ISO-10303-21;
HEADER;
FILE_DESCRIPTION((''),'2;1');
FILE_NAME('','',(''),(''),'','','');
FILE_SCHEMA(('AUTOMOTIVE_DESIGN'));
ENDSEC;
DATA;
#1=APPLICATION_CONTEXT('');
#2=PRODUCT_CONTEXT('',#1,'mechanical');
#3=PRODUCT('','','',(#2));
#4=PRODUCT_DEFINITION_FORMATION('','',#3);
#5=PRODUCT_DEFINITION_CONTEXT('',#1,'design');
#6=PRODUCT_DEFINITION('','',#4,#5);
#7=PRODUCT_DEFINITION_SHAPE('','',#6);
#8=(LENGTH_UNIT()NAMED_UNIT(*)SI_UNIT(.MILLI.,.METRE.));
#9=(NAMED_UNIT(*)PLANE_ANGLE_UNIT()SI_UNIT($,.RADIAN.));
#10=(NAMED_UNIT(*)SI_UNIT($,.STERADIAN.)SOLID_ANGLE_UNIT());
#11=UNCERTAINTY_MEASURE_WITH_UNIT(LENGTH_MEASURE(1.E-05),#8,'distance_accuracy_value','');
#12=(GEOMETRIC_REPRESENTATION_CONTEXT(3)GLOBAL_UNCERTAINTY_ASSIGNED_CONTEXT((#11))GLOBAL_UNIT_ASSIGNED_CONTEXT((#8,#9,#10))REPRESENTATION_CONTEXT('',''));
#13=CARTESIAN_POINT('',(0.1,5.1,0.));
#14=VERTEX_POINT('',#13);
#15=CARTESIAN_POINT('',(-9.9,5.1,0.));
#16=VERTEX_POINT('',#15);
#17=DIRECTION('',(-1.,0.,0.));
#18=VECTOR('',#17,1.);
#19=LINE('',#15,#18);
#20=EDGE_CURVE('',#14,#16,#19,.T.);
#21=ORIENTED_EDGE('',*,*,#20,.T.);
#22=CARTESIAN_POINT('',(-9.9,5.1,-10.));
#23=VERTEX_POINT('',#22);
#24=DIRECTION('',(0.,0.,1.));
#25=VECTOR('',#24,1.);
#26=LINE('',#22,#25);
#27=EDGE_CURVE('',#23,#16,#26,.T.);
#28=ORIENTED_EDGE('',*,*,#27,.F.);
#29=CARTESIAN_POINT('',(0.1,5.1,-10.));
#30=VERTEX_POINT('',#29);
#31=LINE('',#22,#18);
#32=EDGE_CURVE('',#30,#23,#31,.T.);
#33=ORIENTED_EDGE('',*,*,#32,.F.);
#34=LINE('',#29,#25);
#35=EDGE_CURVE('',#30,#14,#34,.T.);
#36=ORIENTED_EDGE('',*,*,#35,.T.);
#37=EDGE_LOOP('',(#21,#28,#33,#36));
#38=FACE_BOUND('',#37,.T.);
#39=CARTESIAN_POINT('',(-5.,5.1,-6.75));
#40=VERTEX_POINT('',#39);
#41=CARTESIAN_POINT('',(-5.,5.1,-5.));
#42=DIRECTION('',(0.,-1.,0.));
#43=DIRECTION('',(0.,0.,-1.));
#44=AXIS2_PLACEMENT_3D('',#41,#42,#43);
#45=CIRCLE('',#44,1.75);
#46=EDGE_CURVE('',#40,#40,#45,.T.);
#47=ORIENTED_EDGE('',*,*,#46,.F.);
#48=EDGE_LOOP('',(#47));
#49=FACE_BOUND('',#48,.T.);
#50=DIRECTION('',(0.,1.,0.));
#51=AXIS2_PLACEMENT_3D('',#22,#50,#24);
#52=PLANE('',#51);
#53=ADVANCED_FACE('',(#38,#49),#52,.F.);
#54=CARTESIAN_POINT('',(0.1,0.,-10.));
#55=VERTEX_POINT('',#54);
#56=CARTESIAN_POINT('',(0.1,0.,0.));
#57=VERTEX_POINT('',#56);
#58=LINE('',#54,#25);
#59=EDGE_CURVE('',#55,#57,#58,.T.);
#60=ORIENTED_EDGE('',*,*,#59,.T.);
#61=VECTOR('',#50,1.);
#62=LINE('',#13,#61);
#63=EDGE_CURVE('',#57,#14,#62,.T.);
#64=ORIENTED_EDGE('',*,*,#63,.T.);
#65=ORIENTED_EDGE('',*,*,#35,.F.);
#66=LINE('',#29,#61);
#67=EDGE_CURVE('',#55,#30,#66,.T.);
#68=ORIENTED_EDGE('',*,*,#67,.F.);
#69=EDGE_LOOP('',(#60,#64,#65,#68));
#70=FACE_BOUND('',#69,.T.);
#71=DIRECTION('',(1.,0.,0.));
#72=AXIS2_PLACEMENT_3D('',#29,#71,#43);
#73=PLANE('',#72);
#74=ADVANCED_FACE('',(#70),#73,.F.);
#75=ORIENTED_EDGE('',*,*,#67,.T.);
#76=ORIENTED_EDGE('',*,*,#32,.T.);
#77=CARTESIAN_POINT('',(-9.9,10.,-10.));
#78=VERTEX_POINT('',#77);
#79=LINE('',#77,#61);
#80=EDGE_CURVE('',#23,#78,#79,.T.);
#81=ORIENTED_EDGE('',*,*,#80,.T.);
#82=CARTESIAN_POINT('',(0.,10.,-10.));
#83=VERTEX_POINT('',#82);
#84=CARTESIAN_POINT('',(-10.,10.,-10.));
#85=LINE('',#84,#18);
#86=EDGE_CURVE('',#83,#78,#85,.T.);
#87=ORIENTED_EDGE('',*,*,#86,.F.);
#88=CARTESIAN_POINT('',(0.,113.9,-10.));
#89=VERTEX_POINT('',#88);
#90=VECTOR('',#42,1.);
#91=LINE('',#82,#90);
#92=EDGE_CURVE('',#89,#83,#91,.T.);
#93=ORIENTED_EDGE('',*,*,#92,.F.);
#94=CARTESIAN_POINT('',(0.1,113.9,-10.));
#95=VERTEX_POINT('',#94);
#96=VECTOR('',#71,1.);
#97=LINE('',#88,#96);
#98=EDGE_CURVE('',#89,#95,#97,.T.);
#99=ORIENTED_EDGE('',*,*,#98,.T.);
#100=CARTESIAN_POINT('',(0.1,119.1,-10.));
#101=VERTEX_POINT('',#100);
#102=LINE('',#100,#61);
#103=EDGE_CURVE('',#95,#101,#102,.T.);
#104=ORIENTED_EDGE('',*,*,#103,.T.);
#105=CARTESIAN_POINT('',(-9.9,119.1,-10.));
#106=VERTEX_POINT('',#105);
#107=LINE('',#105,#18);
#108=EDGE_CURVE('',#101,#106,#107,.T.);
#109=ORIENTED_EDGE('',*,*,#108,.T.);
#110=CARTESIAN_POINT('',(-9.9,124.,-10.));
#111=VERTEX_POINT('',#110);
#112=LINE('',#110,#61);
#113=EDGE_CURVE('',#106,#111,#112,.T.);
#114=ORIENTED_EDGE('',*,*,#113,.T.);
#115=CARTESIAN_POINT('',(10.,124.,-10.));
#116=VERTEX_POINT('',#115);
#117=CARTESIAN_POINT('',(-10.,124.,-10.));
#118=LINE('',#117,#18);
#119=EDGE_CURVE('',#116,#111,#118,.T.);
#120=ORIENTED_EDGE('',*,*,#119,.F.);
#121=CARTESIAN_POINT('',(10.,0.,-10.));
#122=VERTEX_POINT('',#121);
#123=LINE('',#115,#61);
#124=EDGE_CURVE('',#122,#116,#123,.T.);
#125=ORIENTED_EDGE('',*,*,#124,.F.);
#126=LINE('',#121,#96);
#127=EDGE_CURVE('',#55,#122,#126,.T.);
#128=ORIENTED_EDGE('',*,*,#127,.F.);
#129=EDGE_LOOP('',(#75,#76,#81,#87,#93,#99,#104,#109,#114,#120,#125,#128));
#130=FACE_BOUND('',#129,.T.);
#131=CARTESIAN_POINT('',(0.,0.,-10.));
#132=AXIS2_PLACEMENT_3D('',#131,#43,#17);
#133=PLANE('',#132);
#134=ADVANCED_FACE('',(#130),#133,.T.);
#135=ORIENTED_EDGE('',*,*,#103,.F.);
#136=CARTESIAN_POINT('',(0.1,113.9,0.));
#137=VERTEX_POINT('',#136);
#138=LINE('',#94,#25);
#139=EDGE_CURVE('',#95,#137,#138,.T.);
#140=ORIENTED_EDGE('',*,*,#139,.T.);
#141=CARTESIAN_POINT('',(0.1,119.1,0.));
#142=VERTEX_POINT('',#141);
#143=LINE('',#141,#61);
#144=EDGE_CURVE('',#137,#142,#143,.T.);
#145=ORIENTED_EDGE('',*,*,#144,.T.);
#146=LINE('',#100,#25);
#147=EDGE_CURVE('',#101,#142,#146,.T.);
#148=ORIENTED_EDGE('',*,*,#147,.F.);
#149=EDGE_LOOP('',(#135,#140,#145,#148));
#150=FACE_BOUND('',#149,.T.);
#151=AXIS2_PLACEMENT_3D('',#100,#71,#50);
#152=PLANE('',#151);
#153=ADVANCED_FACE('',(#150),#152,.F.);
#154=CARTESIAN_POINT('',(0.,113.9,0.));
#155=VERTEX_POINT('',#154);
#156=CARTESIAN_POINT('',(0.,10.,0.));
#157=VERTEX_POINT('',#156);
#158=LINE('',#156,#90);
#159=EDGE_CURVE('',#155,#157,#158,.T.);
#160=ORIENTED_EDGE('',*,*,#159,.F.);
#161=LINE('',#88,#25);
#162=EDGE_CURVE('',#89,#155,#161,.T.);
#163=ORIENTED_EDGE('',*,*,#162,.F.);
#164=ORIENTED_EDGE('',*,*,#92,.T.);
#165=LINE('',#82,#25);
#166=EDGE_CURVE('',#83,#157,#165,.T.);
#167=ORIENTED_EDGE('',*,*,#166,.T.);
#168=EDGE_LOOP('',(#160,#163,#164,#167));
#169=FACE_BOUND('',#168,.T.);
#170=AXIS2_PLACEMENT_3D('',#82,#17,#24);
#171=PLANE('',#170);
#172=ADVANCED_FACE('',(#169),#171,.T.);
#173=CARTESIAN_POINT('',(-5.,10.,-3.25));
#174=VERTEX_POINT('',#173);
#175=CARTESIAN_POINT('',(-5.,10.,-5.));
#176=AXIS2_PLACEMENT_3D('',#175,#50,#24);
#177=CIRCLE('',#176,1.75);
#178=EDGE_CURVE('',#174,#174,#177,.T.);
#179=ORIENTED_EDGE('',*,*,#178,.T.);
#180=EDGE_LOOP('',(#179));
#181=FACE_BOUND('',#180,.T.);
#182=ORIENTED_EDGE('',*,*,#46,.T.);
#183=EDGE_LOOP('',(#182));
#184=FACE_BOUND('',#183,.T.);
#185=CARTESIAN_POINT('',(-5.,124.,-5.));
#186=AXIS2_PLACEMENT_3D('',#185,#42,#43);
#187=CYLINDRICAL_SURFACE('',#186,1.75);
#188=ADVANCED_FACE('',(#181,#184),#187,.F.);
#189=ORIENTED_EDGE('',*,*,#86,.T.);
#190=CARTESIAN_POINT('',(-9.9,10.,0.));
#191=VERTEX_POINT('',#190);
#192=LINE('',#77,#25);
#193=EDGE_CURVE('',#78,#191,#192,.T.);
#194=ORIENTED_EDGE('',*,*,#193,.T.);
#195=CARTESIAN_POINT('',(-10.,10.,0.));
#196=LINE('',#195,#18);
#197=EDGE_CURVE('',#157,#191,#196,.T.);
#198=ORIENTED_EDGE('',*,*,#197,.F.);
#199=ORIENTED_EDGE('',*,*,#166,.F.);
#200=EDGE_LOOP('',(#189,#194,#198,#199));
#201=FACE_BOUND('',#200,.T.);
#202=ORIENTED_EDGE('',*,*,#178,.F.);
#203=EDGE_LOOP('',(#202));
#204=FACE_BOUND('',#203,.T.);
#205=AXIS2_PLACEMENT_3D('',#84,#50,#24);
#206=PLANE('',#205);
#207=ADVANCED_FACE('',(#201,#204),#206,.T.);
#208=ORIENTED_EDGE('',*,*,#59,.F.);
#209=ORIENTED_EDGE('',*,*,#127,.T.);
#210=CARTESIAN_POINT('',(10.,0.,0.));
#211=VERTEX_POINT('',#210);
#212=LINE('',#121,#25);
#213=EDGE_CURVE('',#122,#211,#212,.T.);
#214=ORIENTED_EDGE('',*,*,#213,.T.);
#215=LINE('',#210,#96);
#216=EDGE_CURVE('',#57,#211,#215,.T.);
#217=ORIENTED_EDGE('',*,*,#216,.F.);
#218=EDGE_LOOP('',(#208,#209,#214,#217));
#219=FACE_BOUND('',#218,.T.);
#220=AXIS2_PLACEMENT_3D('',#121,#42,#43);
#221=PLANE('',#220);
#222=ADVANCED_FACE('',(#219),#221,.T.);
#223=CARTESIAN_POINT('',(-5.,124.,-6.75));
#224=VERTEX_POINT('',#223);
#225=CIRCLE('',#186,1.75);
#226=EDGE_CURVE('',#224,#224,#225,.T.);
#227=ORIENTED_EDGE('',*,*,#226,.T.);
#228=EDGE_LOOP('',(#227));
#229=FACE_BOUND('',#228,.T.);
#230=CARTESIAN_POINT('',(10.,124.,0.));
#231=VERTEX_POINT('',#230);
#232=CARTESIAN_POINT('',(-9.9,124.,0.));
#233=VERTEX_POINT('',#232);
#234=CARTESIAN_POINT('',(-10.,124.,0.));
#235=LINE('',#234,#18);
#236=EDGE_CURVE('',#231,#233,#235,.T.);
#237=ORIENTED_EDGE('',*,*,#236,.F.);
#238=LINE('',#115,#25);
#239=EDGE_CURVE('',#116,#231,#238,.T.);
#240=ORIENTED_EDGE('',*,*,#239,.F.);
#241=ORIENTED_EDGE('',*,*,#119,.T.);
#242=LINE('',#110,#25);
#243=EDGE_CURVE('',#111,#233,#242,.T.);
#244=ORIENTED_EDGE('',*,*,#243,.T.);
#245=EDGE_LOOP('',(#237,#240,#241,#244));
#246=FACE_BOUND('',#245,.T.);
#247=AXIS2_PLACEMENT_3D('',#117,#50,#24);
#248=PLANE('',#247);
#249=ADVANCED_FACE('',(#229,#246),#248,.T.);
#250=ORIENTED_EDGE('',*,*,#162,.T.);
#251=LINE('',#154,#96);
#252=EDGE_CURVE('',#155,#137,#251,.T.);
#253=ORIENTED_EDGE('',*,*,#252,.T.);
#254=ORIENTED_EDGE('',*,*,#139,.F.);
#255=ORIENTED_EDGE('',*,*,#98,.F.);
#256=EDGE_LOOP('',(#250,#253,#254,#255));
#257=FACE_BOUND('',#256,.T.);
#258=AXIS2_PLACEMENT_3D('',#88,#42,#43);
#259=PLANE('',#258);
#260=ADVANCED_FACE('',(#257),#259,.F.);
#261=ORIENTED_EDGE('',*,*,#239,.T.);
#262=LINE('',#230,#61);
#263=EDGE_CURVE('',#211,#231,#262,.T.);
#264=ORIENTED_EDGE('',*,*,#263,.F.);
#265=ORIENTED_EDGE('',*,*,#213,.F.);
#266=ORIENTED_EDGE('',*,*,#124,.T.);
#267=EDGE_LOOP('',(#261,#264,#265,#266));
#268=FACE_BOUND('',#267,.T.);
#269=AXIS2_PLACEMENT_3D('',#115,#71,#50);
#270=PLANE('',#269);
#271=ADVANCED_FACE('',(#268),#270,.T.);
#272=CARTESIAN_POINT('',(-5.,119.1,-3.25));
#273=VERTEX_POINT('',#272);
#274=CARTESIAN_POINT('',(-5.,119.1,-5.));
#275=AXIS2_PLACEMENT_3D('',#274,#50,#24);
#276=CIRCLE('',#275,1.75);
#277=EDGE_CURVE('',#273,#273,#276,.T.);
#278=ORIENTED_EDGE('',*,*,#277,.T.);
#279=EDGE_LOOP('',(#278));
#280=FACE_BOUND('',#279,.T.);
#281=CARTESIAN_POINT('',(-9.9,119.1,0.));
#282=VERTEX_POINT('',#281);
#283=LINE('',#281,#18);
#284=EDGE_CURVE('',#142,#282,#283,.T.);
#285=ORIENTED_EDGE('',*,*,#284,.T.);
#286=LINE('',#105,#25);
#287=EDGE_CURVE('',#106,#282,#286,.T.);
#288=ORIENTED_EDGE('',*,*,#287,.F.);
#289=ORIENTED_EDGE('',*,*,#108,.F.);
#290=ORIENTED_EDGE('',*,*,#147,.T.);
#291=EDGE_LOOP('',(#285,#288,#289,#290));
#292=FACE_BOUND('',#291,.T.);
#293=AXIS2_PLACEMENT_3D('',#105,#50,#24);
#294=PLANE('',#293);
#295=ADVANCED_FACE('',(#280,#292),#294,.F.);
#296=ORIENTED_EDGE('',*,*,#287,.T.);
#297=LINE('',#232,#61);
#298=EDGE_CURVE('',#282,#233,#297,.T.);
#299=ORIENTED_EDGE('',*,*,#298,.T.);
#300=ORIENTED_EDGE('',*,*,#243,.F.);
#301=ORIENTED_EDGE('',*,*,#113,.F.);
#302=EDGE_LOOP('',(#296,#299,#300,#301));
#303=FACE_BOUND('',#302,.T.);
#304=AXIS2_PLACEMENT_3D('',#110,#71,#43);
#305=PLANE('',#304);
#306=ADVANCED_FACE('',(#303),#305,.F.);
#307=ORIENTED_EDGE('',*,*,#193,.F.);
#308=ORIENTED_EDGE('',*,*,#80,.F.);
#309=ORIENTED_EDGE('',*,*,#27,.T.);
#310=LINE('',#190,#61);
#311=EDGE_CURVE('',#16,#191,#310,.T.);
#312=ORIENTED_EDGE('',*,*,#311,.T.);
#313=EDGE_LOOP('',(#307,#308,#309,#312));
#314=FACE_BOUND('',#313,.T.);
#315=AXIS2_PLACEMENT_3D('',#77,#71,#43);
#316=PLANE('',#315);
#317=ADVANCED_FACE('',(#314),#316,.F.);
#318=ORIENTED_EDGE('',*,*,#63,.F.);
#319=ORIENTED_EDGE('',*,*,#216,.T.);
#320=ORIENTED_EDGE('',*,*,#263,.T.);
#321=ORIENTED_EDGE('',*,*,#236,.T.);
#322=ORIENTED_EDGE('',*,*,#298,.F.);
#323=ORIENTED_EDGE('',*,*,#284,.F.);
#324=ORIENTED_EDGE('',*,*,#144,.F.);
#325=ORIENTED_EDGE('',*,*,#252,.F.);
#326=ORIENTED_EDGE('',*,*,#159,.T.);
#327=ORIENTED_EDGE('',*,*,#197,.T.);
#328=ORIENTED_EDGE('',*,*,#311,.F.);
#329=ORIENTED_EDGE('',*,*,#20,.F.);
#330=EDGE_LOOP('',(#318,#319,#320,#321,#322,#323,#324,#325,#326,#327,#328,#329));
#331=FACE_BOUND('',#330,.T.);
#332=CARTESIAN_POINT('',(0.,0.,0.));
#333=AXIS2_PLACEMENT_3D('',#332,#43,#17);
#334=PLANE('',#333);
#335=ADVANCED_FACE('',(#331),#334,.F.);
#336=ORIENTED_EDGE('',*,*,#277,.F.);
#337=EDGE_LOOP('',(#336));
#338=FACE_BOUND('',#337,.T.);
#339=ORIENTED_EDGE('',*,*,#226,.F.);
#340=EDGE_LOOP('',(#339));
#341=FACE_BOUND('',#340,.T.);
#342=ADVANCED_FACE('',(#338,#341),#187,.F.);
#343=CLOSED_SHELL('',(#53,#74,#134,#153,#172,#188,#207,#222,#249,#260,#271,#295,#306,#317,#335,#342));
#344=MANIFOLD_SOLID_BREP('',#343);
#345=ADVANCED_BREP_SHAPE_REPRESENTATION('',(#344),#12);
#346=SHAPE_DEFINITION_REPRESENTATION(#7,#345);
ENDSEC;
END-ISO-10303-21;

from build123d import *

# Parameters (mm, degrees)
BOSS_EXTRUDE1_DEPTH = 10
CUT_EXTRUDE1_DEPTH  = 11
SKETCH3_R           = 1.75
CUT_EXTRUDE2_DEPTH  = 119.9


with BuildPart() as part:
    # Sketch1 → Boss-Extrude1 (new body)
    with BuildSketch(Plane.XY):
        Polygon((0, 0), (0, 5), (-10, 5), (-10, 10), (0, 10), (0, 119), (-10, 119), (-10, 124), (10, 124), (10, 0), align=None)
    extrude(amount=-BOSS_EXTRUDE1_DEPTH)

    # Sketch2 → Cut-Extrude1 (cut, through all)
    with BuildSketch(Plane.XY):
        Polygon((-10, 10), (-10, 5), (0, 5), (0, 0), (0.1, 0), (0.1, 5.1), (-9.9, 5.1), (-9.9, 10), align=None)
        Polygon((-10, 124), (-10, 119), (0, 119), (0, 113.9), (0.1, 113.9), (0.1, 119.1), (-9.9, 119.1), (-9.9, 124), align=None)
    extrude(amount=-CUT_EXTRUDE1_DEPTH, mode=Mode.SUBTRACT)

    # Sketch3 → Cut-Extrude2 (cut, through all)
    with BuildSketch(Plane.XZ.offset(-5.1)):
        with Locations((-5, -5)):
            Circle(SKETCH3_R)
    extrude(amount=-CUT_EXTRUDE2_DEPTH, mode=Mode.SUBTRACT)


solid = part.part
